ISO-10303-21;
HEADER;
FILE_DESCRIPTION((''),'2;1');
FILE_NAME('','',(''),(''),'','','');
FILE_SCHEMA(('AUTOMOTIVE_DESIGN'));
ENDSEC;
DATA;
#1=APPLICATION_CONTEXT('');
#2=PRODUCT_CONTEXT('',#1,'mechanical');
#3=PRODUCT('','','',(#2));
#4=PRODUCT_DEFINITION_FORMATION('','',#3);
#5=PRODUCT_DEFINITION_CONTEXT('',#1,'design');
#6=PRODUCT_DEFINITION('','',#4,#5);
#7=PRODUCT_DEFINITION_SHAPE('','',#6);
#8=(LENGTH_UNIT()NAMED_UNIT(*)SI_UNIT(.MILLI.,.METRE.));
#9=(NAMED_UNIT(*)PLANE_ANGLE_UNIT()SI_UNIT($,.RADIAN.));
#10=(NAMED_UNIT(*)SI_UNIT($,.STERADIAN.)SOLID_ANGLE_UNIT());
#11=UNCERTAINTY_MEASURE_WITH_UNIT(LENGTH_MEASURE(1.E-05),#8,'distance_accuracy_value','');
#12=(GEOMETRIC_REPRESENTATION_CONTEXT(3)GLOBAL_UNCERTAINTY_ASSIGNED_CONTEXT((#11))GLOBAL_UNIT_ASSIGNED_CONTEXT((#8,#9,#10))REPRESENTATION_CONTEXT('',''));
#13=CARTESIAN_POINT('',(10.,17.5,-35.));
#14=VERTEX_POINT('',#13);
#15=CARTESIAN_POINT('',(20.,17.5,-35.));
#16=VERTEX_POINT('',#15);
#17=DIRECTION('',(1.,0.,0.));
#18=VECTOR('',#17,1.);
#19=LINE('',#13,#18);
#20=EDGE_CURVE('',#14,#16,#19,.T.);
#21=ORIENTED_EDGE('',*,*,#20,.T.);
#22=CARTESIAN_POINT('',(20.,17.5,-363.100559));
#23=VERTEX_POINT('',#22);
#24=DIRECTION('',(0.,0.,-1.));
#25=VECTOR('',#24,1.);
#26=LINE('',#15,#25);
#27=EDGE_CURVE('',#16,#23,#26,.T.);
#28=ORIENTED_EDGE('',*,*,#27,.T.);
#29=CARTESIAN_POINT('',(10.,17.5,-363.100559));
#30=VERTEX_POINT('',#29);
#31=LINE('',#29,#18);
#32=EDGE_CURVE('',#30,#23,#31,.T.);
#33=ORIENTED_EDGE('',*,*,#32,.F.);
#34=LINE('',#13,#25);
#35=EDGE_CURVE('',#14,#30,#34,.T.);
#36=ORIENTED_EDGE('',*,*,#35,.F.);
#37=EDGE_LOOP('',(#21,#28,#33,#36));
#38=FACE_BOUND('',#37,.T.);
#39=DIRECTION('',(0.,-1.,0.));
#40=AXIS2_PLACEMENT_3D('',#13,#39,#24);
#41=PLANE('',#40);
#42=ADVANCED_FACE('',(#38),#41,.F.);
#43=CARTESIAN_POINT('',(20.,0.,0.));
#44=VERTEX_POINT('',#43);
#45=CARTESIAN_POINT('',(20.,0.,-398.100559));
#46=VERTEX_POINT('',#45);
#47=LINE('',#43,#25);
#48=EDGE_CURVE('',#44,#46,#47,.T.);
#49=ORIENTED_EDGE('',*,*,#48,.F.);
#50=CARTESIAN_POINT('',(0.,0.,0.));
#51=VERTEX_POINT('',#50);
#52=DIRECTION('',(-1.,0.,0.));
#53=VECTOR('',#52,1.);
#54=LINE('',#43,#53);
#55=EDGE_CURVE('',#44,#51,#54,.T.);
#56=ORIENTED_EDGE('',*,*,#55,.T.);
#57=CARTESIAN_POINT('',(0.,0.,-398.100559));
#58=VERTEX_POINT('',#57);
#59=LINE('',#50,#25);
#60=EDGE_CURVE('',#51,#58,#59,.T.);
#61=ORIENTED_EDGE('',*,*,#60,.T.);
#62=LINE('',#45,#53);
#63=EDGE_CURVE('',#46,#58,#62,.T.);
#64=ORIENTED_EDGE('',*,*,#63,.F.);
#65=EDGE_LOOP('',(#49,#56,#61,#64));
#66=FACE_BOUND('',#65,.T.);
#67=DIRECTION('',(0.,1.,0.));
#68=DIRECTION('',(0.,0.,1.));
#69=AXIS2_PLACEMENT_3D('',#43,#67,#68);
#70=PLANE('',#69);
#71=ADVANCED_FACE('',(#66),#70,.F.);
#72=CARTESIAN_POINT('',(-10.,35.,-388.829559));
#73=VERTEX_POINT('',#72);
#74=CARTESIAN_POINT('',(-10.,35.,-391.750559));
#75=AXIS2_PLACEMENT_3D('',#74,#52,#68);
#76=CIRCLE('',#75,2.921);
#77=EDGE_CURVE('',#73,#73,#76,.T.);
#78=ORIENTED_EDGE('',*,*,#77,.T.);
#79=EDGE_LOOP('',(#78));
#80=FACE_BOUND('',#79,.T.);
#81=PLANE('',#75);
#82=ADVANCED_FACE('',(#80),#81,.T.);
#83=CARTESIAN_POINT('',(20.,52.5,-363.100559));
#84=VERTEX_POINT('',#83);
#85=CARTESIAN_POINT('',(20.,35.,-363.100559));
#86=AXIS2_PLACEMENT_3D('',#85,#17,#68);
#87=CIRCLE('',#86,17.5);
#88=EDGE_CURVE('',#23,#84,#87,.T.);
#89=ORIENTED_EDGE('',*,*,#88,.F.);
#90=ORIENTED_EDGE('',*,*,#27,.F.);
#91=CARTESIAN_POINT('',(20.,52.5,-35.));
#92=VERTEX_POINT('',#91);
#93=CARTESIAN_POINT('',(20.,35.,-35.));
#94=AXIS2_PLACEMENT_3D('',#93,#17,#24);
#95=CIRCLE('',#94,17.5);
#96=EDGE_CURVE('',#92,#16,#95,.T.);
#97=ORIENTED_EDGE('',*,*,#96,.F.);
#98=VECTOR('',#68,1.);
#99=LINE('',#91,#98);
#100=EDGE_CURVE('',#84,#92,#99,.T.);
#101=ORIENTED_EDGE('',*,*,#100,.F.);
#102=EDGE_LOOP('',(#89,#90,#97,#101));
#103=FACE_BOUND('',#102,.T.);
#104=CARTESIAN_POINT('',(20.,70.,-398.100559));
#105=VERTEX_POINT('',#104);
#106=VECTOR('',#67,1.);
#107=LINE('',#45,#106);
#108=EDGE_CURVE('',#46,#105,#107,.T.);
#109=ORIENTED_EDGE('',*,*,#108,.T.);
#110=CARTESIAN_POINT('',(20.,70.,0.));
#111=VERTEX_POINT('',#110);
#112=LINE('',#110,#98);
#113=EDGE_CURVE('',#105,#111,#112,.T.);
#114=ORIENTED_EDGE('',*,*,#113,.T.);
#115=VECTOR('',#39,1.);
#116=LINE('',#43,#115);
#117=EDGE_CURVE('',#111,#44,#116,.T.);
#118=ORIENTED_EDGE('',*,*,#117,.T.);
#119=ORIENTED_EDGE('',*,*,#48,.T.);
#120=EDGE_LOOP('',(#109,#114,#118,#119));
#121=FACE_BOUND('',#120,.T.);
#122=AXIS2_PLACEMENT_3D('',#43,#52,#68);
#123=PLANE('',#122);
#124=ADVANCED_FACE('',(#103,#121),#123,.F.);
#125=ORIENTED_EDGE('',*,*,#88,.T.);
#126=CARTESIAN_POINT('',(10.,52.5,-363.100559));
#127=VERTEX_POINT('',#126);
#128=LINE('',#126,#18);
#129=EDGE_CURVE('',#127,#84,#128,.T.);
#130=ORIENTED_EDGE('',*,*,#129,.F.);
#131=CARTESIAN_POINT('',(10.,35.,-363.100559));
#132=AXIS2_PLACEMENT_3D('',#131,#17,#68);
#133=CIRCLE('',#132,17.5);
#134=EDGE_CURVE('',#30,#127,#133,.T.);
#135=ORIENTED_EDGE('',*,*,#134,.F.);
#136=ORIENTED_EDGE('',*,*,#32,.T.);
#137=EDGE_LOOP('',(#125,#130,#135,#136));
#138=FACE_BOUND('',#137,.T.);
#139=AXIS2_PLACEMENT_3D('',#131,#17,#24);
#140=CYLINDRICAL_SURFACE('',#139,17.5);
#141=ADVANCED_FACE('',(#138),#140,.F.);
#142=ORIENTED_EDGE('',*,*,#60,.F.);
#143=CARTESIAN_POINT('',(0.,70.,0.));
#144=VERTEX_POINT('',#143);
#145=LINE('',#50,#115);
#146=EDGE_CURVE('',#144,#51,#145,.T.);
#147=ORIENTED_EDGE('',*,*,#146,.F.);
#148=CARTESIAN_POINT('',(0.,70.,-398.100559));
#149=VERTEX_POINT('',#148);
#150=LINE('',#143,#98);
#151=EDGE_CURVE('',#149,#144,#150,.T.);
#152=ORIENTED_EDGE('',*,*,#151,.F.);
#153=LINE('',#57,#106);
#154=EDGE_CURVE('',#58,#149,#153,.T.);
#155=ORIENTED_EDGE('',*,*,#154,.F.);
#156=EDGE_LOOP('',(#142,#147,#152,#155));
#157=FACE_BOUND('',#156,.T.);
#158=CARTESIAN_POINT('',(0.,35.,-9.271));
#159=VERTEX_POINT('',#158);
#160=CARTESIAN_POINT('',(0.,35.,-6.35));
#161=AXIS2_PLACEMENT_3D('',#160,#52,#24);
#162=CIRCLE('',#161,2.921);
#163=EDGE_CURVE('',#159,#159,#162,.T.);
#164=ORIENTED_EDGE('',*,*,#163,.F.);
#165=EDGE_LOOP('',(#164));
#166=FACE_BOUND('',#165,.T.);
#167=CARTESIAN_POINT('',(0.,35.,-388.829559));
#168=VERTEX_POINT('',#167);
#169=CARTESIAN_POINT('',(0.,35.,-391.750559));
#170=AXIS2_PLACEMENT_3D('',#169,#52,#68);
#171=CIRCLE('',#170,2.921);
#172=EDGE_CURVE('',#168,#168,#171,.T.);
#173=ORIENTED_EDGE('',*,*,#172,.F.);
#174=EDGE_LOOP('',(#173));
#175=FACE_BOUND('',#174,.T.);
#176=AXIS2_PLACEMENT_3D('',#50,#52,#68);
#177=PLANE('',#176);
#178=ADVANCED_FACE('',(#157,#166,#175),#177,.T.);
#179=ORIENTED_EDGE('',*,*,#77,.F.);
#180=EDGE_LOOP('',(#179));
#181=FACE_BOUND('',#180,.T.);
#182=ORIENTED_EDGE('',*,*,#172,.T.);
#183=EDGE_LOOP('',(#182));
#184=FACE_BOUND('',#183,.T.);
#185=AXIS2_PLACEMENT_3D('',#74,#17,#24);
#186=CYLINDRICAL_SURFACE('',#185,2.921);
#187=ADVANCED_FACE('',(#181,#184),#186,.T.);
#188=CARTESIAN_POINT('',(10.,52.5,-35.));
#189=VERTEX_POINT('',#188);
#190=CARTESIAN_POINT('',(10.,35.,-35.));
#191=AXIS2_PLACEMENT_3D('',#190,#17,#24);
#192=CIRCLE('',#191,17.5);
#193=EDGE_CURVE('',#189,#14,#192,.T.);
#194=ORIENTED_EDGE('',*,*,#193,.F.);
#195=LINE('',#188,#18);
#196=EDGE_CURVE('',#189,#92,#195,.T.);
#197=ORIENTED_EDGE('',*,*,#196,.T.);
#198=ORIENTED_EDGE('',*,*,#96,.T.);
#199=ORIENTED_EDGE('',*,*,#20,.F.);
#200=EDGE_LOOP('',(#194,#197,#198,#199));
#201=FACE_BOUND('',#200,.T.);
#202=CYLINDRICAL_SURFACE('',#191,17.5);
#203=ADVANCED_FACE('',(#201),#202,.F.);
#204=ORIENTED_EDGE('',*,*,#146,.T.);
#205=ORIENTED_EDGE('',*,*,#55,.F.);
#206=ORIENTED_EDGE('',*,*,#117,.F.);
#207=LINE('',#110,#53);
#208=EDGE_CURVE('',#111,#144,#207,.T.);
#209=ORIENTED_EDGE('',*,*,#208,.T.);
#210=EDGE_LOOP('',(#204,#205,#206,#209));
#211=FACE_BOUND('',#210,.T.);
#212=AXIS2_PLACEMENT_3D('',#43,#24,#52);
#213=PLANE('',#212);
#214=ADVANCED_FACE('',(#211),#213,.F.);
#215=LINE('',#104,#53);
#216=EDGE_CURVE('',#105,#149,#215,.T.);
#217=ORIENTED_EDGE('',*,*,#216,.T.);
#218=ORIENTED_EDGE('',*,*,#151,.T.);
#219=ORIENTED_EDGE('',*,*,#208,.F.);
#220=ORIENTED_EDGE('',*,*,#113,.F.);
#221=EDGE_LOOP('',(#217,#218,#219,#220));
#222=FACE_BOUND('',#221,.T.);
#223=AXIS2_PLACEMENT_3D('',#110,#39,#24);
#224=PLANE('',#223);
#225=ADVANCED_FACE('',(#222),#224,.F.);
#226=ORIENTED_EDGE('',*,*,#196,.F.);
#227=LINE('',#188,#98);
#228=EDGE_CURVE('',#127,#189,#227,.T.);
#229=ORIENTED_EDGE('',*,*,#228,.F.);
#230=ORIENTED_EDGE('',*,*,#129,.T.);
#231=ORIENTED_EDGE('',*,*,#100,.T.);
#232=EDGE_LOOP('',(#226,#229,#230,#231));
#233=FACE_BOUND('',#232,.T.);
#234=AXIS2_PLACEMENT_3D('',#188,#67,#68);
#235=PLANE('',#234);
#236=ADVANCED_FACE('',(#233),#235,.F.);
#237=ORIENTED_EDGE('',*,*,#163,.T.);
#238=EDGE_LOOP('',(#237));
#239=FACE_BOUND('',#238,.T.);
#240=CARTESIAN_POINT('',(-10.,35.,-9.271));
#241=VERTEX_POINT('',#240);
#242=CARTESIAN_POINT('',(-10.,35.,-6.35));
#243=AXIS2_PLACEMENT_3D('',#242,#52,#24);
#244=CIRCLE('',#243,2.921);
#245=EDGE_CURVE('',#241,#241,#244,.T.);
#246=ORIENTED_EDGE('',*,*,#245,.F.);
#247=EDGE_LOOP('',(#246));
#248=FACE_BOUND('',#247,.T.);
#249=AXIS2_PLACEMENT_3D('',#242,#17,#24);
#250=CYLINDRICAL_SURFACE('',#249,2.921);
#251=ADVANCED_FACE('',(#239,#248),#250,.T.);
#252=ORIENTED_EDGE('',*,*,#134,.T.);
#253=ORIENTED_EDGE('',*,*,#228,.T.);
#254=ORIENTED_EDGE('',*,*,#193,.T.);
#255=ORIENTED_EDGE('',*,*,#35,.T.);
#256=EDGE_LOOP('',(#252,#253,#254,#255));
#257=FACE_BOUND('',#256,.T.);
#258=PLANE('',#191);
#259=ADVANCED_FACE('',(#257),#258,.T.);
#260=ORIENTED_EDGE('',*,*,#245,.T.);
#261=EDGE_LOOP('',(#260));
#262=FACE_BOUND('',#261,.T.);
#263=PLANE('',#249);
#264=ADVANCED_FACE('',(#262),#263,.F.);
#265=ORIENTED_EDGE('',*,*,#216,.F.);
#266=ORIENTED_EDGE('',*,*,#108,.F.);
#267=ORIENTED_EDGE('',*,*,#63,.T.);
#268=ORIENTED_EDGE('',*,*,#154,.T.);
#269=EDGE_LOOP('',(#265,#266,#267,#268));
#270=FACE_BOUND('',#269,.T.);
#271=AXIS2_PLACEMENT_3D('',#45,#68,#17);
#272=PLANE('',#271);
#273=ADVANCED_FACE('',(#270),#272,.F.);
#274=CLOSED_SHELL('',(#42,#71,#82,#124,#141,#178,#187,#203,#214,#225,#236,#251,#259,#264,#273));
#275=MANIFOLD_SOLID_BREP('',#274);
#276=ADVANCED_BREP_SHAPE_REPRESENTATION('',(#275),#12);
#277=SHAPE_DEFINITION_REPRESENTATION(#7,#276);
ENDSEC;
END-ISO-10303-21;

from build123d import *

# Parameters (mm, degrees)
SKETCH2_W           = 398.100558659
SKETCH2_H           = 70
BOSS_EXTRUDE1_DEPTH = 20
CUT_EXTRUDE1_DEPTH  = 10
SKETCH4_R           = 2.921
BOSS_EXTRUDE2_DEPTH = 10


with BuildPart() as part:
    # Sketch2 → Boss-Extrude1 (new body)
    with BuildSketch(Plane(origin=(0, 0, 0), x_dir=(0, 0, -1), z_dir=(1, 0, 0))):
        with Locations((199.05027933, 35)):
            Rectangle(SKETCH2_W, SKETCH2_H)
    extrude(amount=BOSS_EXTRUDE1_DEPTH)

    # Sketch3 → Cut-Extrude1 (cut)
    with BuildSketch(Plane(origin=(20, 0, 0), x_dir=(0, 0, -1), z_dir=(1, 0, 0))):
        with BuildLine():
            Line((35, 52.5), (363.100558659, 52.5))
            ThreePointArc((363.100558659, 52.5), (380.600558659, 35), (363.100558659, 17.5))
            Line((363.100558659, 17.5), (35, 17.5))
            ThreePointArc((35, 17.5), (17.5, 35), (35, 52.5))
        make_face()
    extrude(amount=-CUT_EXTRUDE1_DEPTH, mode=Mode.SUBTRACT)

    # Sketch4 → Boss-Extrude2 (add)
    with BuildSketch(Plane.ZY):
        with Locations((-391.750558659, 35)):
            Circle(SKETCH4_R)
        with Locations(Location((-6.35, 35, 0), (0, 0, 180))):
            Circle(SKETCH4_R)
    extrude(amount=BOSS_EXTRUDE2_DEPTH)


solid = part.part
